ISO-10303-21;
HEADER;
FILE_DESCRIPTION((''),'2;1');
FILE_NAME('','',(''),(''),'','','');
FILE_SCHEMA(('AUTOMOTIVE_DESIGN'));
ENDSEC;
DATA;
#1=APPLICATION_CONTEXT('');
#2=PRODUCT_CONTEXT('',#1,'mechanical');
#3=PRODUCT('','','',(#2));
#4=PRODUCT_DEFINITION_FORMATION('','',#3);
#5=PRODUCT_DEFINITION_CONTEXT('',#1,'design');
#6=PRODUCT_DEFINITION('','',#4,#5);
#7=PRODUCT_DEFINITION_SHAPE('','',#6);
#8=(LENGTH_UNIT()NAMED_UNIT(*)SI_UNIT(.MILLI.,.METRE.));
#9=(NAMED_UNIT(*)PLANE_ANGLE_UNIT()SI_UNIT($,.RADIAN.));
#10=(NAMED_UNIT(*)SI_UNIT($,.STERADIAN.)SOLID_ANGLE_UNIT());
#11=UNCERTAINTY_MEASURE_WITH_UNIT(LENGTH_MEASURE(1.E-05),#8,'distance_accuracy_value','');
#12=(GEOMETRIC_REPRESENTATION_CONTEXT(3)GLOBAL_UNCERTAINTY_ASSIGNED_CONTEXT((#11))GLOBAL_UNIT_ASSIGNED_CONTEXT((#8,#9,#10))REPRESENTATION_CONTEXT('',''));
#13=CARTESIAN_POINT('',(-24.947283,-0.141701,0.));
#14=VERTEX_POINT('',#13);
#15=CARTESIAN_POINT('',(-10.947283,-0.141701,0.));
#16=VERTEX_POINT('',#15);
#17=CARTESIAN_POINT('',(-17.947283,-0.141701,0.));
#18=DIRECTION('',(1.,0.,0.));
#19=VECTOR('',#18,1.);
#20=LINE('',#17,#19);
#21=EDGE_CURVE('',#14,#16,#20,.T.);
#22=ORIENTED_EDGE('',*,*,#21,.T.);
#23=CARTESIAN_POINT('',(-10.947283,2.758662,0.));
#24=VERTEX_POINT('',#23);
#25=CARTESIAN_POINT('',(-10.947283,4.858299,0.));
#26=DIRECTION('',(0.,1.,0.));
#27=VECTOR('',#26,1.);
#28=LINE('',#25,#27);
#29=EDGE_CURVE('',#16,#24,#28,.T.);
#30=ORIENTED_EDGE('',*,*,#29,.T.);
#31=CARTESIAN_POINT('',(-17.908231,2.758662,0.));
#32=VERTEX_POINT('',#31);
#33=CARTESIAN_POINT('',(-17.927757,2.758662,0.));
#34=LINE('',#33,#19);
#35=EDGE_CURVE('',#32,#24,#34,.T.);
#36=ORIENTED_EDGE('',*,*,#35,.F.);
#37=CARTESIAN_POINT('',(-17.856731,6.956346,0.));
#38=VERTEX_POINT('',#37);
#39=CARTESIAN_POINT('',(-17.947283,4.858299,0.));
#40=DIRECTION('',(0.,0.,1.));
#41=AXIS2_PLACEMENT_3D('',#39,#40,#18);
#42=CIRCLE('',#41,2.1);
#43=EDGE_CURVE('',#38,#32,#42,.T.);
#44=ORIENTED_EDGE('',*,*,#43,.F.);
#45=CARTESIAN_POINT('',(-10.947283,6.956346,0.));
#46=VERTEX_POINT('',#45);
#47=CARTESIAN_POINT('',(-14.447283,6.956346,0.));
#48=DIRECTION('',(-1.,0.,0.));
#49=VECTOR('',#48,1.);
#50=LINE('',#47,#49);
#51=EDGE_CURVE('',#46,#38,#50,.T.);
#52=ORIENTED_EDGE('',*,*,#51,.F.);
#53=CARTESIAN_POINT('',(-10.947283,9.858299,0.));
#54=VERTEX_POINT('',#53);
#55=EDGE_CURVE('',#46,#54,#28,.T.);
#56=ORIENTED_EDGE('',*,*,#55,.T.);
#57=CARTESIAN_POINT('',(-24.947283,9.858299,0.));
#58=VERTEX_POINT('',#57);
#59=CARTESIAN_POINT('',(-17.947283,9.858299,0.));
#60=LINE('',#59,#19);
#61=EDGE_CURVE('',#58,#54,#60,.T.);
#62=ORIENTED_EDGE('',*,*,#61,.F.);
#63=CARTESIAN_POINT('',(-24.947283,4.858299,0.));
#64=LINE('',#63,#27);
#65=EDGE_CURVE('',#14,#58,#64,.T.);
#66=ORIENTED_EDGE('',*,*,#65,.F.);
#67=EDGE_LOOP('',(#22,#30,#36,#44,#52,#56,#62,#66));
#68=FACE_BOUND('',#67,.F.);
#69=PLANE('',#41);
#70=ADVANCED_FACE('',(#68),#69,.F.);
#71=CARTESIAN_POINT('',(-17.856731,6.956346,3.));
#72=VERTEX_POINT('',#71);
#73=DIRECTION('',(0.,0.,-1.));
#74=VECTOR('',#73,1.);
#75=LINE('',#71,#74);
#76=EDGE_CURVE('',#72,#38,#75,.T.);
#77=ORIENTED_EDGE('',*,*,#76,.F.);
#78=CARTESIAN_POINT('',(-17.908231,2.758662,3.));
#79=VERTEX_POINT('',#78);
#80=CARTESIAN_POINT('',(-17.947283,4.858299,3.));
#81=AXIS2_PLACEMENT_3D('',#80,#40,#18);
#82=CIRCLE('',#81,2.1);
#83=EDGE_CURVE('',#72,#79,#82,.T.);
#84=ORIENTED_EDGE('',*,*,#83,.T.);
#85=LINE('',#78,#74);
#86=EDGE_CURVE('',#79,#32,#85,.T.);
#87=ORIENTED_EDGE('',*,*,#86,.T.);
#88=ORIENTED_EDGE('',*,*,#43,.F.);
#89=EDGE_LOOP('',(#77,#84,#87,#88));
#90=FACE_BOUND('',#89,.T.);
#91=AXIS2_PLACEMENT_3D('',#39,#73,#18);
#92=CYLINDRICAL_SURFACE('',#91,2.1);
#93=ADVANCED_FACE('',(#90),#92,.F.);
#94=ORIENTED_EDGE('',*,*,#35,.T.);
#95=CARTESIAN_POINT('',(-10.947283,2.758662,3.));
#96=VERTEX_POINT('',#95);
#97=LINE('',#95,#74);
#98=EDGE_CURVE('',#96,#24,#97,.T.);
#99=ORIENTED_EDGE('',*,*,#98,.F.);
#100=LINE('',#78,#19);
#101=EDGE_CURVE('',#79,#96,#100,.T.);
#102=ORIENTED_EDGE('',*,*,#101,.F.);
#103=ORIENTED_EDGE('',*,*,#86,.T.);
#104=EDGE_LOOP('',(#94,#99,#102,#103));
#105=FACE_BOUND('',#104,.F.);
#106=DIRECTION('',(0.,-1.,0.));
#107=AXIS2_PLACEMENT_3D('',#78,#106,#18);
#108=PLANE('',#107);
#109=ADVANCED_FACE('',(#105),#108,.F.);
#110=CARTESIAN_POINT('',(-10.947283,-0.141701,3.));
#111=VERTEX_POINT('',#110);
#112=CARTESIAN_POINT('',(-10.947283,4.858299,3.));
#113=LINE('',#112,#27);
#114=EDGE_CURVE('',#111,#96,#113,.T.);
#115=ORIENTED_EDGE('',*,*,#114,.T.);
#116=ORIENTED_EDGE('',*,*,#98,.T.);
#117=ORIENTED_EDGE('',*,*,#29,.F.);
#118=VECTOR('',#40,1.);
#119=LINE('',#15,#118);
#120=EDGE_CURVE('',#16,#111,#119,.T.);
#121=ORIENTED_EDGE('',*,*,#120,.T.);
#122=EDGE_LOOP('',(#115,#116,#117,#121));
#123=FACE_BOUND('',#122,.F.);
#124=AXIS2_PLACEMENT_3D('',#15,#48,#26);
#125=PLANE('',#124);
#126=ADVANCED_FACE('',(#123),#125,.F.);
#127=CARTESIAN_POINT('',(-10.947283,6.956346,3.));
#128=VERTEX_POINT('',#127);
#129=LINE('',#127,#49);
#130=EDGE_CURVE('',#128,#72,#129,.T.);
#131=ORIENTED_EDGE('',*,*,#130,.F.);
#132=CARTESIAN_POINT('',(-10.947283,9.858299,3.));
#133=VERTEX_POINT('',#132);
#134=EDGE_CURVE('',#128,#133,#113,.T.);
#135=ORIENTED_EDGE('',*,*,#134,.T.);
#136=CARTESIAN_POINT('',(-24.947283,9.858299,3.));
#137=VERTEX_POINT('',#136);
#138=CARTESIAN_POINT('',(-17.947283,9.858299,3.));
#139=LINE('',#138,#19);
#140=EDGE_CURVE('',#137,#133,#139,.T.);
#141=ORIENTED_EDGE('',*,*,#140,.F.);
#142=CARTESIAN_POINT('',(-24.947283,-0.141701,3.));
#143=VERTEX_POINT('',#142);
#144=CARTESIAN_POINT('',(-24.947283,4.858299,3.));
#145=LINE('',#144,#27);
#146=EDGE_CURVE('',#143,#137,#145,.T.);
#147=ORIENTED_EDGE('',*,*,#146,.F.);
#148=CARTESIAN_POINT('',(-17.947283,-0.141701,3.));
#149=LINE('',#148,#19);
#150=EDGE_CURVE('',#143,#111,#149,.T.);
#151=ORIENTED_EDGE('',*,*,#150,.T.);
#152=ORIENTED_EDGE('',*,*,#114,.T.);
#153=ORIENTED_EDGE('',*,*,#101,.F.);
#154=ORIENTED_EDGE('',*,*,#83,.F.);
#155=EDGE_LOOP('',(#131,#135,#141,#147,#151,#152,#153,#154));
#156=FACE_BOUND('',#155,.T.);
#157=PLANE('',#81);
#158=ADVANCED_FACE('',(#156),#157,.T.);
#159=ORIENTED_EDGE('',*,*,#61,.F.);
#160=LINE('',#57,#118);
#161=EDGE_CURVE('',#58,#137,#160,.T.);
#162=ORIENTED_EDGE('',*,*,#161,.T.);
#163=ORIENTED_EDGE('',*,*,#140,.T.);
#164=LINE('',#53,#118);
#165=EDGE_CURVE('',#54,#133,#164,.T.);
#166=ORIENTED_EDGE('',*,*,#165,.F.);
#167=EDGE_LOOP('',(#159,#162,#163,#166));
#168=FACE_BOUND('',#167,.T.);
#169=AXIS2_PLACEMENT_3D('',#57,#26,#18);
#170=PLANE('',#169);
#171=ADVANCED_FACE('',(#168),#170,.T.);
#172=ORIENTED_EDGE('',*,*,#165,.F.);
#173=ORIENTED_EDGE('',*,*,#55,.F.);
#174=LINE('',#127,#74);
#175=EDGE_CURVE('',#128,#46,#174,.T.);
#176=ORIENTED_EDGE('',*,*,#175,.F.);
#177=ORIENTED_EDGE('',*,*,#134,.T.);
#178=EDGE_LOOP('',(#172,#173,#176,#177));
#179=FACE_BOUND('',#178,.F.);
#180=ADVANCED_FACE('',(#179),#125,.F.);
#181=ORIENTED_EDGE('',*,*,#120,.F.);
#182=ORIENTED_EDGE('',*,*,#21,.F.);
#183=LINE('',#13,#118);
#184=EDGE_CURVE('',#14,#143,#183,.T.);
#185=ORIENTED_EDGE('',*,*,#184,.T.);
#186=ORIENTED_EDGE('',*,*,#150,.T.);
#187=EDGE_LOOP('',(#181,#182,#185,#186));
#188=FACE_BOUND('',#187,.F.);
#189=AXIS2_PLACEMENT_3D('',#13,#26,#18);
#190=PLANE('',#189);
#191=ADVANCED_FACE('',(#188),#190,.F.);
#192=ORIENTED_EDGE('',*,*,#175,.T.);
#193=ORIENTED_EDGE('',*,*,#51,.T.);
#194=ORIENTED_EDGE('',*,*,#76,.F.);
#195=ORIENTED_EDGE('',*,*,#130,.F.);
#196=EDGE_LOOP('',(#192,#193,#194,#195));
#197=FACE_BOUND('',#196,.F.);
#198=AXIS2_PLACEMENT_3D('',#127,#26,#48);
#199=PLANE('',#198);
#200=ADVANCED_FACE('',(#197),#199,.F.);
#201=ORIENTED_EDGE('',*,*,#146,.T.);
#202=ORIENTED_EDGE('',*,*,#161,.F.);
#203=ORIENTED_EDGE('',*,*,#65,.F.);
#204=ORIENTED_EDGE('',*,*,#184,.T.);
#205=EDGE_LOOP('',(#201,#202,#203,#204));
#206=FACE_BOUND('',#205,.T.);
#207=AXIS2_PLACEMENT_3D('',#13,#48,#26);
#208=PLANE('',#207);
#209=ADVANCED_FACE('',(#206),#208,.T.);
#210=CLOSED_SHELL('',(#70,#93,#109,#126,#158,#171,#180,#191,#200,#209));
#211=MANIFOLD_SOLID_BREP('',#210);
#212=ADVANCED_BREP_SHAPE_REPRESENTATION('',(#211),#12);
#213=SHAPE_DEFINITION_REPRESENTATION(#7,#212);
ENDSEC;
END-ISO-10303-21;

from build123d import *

# Parameters (mm, degrees)
F0_W     = 14
F0_H     = 10
F0_R     = 2.1
F1_DEPTH = 3
F3_DEPTH = 25


with BuildPart() as f1:
    # F0 (on Top) → F1 (new body)
    with BuildSketch(Plane.XY):
        with Locations((-17.947283, 4.858299)):
            Rectangle(F0_W, F0_H)
        with Locations((-17.947283, 4.858299)):
            Circle(F0_R, mode=Mode.SUBTRACT)
    extrude(amount=F1_DEPTH)

    # F2 (on face) → F3 (cut)
    with BuildSketch(Plane.XY.offset(3)):
        with BuildLine():
            Line((-10.947283, 6.956346), (-17.856731, 6.956346))
            ThreePointArc((-17.856731, 6.956346), (-16.430682, 6.310856), (-15.847283, 4.858299))
            ThreePointArc((-15.847283, 4.858299), (-16.448615, 3.387247), (-17.908231, 2.758662))
            Line((-17.908231, 2.758662), (-10.947283, 2.758662))
            Line((-10.947283, 2.758662), (-10.947283, 6.956346))
        make_face()
    extrude(amount=-F3_DEPTH, mode=Mode.SUBTRACT)


solid = f1.part
